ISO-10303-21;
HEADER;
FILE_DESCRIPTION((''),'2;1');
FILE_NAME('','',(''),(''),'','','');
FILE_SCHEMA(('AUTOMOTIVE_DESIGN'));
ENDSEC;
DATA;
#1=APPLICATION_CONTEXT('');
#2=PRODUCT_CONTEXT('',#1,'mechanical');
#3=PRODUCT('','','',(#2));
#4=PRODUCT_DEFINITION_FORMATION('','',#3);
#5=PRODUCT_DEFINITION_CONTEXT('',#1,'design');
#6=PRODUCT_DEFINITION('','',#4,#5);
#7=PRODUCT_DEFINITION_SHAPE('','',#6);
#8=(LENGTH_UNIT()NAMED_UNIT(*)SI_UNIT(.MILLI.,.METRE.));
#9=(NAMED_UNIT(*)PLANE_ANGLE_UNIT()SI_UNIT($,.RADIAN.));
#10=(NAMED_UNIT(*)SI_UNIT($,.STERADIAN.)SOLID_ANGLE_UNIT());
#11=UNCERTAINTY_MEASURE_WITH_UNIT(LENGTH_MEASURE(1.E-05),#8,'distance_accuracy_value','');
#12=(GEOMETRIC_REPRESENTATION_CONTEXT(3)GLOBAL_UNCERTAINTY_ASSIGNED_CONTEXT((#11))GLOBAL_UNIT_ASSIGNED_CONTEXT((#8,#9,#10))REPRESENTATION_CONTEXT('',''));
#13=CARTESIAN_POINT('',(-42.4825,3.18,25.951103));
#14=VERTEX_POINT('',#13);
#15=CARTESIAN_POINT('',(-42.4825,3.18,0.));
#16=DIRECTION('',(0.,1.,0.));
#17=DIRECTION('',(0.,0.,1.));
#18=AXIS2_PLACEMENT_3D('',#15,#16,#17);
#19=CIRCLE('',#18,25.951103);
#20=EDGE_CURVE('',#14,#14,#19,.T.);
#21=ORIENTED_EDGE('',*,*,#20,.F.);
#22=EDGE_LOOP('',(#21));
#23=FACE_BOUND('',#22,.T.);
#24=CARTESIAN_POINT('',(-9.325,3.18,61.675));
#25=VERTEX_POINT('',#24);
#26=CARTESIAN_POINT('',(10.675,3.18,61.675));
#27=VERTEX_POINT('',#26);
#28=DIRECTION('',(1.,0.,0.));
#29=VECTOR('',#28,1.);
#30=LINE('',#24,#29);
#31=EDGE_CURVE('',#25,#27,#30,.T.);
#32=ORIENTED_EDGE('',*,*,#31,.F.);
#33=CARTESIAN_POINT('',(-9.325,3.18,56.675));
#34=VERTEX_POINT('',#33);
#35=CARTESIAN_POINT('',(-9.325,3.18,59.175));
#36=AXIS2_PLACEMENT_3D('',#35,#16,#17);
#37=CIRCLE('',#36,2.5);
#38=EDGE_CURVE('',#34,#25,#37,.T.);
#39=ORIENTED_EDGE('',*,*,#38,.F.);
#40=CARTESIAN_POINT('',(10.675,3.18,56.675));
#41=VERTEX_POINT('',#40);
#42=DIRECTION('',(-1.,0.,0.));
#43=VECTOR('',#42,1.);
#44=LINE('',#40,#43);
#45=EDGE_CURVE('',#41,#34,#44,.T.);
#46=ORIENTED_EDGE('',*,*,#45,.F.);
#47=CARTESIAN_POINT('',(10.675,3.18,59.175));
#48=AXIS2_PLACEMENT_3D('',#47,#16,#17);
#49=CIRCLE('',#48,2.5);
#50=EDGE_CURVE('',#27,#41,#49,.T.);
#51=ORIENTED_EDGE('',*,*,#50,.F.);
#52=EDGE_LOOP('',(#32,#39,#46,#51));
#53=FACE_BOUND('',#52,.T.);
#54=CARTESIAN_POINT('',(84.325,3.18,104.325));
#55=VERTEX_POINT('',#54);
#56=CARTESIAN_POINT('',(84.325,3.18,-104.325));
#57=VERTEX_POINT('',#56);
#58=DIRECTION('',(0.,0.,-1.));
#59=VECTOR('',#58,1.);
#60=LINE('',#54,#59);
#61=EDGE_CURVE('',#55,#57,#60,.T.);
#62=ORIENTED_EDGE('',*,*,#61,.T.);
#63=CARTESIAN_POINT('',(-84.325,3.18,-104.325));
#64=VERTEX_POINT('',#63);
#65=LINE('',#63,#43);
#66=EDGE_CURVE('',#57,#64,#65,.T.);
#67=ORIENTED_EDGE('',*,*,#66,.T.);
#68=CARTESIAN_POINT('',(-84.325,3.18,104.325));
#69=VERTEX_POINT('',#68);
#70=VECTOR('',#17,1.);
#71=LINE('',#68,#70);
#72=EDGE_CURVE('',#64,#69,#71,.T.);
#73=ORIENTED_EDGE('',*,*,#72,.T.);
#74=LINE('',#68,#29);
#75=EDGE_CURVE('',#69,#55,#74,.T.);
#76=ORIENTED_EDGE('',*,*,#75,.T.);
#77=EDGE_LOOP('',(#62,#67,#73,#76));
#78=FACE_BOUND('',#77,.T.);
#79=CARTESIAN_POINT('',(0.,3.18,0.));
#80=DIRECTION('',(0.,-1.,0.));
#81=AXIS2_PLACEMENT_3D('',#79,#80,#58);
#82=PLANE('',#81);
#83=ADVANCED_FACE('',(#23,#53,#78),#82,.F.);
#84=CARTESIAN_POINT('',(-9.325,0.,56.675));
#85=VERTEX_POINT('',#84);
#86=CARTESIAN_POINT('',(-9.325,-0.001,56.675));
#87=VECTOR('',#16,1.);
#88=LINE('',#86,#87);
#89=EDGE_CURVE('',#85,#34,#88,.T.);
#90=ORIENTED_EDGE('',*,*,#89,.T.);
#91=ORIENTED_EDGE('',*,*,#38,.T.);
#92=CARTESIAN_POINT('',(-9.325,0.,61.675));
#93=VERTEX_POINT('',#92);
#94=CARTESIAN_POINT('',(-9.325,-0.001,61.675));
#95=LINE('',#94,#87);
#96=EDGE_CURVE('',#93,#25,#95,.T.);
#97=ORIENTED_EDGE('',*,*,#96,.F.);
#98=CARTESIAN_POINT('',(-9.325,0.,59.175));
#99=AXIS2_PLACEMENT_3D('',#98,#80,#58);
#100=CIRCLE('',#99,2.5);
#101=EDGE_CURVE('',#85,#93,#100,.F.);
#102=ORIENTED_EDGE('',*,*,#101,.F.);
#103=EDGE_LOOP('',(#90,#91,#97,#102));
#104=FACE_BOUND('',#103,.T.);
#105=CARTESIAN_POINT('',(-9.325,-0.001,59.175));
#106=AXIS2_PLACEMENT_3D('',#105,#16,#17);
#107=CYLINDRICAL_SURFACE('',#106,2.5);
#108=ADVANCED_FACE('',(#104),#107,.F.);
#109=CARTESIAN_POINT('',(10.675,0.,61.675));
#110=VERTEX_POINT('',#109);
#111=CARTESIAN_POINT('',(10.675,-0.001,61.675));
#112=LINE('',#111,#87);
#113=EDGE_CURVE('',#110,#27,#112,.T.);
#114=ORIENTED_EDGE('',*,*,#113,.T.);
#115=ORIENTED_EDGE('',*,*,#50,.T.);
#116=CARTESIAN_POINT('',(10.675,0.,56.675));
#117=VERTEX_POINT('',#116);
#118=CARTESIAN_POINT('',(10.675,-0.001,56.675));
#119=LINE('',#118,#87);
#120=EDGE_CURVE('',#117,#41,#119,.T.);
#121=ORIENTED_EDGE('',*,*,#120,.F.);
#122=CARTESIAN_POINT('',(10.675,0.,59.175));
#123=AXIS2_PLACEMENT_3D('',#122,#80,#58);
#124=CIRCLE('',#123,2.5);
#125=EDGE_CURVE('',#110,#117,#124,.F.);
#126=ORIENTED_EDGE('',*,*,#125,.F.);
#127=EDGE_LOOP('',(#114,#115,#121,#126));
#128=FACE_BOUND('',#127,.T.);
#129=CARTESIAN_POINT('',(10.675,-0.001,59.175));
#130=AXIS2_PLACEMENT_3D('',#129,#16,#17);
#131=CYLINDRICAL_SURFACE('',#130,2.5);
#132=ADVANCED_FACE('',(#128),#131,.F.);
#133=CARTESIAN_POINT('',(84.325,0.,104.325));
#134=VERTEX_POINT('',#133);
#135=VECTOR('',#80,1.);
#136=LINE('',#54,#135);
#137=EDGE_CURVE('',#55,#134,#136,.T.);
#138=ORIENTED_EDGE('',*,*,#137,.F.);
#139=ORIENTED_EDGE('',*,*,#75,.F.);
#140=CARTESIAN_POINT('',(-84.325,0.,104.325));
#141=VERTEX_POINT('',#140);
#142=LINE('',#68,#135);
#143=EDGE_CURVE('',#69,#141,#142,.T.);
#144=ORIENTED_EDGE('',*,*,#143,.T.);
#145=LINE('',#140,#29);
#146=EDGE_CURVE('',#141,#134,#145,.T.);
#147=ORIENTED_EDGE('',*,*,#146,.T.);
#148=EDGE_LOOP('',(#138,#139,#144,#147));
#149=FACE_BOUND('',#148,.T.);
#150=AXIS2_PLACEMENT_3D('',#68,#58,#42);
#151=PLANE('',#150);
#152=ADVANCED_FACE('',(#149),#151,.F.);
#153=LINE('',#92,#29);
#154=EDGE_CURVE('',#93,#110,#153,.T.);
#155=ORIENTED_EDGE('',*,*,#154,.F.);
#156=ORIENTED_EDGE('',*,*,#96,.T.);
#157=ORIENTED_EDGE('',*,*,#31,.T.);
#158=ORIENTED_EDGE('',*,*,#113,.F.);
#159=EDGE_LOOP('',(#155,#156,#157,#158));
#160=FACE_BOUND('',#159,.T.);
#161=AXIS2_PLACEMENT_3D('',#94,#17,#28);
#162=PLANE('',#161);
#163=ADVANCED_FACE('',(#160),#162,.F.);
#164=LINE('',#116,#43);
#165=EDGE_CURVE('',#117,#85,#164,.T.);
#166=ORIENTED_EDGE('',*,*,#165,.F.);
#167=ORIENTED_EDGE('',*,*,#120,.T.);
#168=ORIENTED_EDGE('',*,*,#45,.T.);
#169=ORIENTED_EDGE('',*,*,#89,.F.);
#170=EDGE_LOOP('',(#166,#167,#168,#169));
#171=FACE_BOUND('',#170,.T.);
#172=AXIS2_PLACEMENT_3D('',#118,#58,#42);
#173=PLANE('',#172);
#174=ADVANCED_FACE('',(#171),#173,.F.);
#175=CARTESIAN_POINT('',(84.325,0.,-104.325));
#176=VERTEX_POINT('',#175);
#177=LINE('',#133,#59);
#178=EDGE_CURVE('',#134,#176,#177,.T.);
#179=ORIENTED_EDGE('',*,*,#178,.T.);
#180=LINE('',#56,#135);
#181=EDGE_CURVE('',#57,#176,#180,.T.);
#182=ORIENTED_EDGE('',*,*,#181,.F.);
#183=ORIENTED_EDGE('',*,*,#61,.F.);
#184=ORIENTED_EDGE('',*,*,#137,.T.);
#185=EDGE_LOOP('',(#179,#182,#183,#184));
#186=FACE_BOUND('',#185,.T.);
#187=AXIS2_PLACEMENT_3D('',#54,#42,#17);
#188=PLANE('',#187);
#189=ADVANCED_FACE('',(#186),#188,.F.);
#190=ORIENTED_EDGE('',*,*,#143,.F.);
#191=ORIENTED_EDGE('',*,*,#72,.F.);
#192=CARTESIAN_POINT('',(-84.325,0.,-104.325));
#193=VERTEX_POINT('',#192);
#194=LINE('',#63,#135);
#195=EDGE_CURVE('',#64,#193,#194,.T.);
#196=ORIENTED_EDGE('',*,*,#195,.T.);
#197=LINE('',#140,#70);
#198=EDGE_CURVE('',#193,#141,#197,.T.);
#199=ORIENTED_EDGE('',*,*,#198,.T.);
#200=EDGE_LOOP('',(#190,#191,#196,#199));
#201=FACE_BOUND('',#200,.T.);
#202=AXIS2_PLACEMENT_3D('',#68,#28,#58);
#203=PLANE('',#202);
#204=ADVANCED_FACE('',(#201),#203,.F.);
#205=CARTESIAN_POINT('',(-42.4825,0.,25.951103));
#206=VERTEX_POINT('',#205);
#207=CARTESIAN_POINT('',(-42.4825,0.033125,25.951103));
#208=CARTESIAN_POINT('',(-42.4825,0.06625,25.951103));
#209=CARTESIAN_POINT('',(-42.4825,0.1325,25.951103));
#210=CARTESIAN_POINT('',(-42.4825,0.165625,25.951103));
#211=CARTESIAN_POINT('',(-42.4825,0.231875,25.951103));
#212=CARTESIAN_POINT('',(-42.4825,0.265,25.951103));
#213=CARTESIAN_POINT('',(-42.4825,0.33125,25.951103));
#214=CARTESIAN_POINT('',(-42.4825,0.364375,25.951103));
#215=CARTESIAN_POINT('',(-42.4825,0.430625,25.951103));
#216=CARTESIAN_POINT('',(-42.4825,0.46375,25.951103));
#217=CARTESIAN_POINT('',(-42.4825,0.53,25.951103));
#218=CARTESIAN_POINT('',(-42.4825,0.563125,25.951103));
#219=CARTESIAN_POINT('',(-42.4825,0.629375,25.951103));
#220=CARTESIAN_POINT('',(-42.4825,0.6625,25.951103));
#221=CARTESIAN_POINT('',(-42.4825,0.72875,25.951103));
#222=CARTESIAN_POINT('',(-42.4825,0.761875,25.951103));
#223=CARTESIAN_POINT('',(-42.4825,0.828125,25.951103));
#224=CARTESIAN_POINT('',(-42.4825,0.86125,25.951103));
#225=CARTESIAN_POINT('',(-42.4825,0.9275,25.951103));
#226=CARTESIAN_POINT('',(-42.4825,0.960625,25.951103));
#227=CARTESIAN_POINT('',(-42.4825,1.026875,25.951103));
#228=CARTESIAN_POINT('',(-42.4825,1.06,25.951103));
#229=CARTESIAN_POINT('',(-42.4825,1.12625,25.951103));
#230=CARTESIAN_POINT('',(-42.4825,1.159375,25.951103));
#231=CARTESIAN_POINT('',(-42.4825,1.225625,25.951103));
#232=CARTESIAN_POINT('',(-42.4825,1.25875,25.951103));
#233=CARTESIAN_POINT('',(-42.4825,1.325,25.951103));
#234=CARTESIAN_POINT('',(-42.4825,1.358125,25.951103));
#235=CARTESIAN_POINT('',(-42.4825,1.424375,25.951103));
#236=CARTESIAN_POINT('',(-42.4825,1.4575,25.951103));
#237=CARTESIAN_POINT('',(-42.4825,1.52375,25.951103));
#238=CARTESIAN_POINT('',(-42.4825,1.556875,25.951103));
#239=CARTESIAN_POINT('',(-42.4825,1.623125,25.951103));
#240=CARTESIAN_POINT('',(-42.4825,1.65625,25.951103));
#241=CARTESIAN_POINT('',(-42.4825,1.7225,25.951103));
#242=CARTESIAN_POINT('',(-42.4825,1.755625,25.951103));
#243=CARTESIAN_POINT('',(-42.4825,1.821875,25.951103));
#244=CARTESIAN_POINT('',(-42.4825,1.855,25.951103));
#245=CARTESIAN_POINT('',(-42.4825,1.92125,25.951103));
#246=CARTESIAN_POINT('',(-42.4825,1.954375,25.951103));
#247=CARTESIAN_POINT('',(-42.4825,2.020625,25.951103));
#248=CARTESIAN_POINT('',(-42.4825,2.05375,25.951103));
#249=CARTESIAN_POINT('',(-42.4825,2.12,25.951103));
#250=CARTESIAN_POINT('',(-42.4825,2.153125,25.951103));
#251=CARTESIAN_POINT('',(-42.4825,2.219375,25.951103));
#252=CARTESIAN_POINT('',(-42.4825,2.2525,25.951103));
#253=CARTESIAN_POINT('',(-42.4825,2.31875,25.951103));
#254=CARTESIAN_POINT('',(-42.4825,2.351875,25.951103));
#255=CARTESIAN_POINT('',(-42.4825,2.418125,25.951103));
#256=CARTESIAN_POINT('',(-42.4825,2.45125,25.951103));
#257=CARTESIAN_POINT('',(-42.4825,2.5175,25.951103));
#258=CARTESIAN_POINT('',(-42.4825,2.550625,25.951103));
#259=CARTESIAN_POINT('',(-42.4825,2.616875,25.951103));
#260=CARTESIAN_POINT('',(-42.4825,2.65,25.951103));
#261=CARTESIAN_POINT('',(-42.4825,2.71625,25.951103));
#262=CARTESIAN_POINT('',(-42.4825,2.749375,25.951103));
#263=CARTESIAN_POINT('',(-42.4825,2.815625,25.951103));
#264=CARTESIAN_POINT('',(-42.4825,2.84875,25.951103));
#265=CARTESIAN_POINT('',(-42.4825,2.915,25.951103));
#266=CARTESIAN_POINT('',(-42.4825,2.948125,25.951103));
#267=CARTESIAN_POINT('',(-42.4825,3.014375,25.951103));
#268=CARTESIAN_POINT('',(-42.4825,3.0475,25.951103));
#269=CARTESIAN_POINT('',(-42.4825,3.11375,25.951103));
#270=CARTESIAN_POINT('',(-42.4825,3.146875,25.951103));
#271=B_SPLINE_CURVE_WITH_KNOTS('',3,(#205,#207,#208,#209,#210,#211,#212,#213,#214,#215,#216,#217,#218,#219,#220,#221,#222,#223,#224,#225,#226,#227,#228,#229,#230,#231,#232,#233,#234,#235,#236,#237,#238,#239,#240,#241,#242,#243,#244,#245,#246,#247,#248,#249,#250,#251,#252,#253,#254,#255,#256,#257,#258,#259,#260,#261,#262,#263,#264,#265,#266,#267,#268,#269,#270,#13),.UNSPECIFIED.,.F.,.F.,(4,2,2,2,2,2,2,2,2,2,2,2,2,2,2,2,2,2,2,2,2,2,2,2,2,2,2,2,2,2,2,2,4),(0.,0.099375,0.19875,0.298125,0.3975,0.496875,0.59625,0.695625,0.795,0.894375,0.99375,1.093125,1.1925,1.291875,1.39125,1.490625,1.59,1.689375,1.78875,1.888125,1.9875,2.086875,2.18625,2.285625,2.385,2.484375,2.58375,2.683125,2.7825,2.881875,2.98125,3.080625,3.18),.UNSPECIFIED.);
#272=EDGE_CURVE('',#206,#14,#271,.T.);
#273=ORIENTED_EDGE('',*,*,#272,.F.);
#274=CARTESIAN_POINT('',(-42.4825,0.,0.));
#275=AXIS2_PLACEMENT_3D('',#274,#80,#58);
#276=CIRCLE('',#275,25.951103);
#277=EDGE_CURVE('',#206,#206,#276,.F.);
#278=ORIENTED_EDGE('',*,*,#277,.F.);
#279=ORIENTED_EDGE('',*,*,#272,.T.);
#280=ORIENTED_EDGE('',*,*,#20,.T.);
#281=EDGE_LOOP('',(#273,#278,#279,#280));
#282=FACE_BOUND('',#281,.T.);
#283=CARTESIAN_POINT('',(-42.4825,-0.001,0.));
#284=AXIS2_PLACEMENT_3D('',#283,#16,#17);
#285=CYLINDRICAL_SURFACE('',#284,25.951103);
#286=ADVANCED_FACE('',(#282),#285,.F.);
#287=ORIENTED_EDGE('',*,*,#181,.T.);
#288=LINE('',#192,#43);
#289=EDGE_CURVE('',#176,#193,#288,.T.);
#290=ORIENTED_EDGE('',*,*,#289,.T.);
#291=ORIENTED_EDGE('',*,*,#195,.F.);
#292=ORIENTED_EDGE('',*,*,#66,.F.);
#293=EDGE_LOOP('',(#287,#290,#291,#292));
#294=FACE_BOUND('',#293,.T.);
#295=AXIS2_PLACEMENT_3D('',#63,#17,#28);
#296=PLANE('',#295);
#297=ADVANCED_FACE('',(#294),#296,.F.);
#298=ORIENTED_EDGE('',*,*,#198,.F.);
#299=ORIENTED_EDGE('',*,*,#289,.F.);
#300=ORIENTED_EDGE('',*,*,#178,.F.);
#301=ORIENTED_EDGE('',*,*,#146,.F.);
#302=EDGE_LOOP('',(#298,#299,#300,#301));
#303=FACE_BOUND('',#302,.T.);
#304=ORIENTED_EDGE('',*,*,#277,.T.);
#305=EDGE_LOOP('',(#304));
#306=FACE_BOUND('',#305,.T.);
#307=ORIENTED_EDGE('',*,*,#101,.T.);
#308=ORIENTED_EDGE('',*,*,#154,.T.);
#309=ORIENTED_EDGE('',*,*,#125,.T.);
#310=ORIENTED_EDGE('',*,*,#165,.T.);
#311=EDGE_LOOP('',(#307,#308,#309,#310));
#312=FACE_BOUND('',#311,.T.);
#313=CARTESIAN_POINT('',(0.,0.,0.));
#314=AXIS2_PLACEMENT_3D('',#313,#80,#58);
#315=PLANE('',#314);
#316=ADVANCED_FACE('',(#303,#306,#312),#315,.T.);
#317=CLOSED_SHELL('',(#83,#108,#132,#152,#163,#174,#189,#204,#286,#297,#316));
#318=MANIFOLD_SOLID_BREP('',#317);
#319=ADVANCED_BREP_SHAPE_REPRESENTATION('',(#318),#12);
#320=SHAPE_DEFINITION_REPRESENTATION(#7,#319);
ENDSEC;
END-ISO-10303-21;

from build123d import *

# Parameters (mm, degrees)
SKETCH1_W           = 168.65
SKETCH1_H           = 208.65
BOSS_EXTRUDE1_DEPTH = 3.18
CUT_EXTRUDE1_REACH  = 136.181
CUT_EXTRUDE24_REACH = 136.181
SKETCH45_R          = 25.951103398


with BuildPart() as part:
    # Sketch1 → Boss-Extrude1 (new body)
    with BuildSketch(Plane(origin=(0, 0, 0), x_dir=(1, 0, 0), z_dir=(0, 1, 0))):
        Rectangle(SKETCH1_W, SKETCH1_H)
    extrude(amount=BOSS_EXTRUDE1_DEPTH)

    # Sketch2 → Cut-Extrude1 (cut, up to next)
    with BuildSketch(Plane(origin=(0, 3.18, 0), x_dir=(1, 0, 0), z_dir=(0, 1, 0)), mode=Mode.PRIVATE) as cut_extrude1_sk1:
        with BuildLine():
            Line((10.675, -56.675), (-9.325, -56.675))
            ThreePointArc((-9.325, -56.675), (-11.825, -59.175), (-9.325, -61.675))
            Line((-9.325, -61.675), (10.675, -61.675))
            ThreePointArc((10.675, -61.675), (13.175, -59.175), (10.675, -56.675))
        make_face()
    cut_extrude1_tool1 = extrude(cut_extrude1_sk1.sketch, amount=-CUT_EXTRUDE1_REACH, mode=Mode.PRIVATE) & part.part
    add(cut_extrude1_tool1.solids().sort_by_distance((0.675, 3.18, 59.175))[0], mode=Mode.SUBTRACT)

    # Sketch45 → Cut-Extrude24 (cut, up to next)
    with BuildSketch(Plane(origin=(0, 3.18, 0), x_dir=(1, 0, 0), z_dir=(0, 1, 0)), mode=Mode.PRIVATE) as cut_extrude24_sk1:
        with Locations(Location((-42.4825, 0, 0), (0, 0, 270))):
            Circle(SKETCH45_R)
    cut_extrude24_tool1 = extrude(cut_extrude24_sk1.sketch, amount=-CUT_EXTRUDE24_REACH, mode=Mode.PRIVATE) & part.part
    add(cut_extrude24_tool1.solids().sort_by_distance((-42.4825, 3.18, 0))[0], mode=Mode.SUBTRACT)


solid = part.part
